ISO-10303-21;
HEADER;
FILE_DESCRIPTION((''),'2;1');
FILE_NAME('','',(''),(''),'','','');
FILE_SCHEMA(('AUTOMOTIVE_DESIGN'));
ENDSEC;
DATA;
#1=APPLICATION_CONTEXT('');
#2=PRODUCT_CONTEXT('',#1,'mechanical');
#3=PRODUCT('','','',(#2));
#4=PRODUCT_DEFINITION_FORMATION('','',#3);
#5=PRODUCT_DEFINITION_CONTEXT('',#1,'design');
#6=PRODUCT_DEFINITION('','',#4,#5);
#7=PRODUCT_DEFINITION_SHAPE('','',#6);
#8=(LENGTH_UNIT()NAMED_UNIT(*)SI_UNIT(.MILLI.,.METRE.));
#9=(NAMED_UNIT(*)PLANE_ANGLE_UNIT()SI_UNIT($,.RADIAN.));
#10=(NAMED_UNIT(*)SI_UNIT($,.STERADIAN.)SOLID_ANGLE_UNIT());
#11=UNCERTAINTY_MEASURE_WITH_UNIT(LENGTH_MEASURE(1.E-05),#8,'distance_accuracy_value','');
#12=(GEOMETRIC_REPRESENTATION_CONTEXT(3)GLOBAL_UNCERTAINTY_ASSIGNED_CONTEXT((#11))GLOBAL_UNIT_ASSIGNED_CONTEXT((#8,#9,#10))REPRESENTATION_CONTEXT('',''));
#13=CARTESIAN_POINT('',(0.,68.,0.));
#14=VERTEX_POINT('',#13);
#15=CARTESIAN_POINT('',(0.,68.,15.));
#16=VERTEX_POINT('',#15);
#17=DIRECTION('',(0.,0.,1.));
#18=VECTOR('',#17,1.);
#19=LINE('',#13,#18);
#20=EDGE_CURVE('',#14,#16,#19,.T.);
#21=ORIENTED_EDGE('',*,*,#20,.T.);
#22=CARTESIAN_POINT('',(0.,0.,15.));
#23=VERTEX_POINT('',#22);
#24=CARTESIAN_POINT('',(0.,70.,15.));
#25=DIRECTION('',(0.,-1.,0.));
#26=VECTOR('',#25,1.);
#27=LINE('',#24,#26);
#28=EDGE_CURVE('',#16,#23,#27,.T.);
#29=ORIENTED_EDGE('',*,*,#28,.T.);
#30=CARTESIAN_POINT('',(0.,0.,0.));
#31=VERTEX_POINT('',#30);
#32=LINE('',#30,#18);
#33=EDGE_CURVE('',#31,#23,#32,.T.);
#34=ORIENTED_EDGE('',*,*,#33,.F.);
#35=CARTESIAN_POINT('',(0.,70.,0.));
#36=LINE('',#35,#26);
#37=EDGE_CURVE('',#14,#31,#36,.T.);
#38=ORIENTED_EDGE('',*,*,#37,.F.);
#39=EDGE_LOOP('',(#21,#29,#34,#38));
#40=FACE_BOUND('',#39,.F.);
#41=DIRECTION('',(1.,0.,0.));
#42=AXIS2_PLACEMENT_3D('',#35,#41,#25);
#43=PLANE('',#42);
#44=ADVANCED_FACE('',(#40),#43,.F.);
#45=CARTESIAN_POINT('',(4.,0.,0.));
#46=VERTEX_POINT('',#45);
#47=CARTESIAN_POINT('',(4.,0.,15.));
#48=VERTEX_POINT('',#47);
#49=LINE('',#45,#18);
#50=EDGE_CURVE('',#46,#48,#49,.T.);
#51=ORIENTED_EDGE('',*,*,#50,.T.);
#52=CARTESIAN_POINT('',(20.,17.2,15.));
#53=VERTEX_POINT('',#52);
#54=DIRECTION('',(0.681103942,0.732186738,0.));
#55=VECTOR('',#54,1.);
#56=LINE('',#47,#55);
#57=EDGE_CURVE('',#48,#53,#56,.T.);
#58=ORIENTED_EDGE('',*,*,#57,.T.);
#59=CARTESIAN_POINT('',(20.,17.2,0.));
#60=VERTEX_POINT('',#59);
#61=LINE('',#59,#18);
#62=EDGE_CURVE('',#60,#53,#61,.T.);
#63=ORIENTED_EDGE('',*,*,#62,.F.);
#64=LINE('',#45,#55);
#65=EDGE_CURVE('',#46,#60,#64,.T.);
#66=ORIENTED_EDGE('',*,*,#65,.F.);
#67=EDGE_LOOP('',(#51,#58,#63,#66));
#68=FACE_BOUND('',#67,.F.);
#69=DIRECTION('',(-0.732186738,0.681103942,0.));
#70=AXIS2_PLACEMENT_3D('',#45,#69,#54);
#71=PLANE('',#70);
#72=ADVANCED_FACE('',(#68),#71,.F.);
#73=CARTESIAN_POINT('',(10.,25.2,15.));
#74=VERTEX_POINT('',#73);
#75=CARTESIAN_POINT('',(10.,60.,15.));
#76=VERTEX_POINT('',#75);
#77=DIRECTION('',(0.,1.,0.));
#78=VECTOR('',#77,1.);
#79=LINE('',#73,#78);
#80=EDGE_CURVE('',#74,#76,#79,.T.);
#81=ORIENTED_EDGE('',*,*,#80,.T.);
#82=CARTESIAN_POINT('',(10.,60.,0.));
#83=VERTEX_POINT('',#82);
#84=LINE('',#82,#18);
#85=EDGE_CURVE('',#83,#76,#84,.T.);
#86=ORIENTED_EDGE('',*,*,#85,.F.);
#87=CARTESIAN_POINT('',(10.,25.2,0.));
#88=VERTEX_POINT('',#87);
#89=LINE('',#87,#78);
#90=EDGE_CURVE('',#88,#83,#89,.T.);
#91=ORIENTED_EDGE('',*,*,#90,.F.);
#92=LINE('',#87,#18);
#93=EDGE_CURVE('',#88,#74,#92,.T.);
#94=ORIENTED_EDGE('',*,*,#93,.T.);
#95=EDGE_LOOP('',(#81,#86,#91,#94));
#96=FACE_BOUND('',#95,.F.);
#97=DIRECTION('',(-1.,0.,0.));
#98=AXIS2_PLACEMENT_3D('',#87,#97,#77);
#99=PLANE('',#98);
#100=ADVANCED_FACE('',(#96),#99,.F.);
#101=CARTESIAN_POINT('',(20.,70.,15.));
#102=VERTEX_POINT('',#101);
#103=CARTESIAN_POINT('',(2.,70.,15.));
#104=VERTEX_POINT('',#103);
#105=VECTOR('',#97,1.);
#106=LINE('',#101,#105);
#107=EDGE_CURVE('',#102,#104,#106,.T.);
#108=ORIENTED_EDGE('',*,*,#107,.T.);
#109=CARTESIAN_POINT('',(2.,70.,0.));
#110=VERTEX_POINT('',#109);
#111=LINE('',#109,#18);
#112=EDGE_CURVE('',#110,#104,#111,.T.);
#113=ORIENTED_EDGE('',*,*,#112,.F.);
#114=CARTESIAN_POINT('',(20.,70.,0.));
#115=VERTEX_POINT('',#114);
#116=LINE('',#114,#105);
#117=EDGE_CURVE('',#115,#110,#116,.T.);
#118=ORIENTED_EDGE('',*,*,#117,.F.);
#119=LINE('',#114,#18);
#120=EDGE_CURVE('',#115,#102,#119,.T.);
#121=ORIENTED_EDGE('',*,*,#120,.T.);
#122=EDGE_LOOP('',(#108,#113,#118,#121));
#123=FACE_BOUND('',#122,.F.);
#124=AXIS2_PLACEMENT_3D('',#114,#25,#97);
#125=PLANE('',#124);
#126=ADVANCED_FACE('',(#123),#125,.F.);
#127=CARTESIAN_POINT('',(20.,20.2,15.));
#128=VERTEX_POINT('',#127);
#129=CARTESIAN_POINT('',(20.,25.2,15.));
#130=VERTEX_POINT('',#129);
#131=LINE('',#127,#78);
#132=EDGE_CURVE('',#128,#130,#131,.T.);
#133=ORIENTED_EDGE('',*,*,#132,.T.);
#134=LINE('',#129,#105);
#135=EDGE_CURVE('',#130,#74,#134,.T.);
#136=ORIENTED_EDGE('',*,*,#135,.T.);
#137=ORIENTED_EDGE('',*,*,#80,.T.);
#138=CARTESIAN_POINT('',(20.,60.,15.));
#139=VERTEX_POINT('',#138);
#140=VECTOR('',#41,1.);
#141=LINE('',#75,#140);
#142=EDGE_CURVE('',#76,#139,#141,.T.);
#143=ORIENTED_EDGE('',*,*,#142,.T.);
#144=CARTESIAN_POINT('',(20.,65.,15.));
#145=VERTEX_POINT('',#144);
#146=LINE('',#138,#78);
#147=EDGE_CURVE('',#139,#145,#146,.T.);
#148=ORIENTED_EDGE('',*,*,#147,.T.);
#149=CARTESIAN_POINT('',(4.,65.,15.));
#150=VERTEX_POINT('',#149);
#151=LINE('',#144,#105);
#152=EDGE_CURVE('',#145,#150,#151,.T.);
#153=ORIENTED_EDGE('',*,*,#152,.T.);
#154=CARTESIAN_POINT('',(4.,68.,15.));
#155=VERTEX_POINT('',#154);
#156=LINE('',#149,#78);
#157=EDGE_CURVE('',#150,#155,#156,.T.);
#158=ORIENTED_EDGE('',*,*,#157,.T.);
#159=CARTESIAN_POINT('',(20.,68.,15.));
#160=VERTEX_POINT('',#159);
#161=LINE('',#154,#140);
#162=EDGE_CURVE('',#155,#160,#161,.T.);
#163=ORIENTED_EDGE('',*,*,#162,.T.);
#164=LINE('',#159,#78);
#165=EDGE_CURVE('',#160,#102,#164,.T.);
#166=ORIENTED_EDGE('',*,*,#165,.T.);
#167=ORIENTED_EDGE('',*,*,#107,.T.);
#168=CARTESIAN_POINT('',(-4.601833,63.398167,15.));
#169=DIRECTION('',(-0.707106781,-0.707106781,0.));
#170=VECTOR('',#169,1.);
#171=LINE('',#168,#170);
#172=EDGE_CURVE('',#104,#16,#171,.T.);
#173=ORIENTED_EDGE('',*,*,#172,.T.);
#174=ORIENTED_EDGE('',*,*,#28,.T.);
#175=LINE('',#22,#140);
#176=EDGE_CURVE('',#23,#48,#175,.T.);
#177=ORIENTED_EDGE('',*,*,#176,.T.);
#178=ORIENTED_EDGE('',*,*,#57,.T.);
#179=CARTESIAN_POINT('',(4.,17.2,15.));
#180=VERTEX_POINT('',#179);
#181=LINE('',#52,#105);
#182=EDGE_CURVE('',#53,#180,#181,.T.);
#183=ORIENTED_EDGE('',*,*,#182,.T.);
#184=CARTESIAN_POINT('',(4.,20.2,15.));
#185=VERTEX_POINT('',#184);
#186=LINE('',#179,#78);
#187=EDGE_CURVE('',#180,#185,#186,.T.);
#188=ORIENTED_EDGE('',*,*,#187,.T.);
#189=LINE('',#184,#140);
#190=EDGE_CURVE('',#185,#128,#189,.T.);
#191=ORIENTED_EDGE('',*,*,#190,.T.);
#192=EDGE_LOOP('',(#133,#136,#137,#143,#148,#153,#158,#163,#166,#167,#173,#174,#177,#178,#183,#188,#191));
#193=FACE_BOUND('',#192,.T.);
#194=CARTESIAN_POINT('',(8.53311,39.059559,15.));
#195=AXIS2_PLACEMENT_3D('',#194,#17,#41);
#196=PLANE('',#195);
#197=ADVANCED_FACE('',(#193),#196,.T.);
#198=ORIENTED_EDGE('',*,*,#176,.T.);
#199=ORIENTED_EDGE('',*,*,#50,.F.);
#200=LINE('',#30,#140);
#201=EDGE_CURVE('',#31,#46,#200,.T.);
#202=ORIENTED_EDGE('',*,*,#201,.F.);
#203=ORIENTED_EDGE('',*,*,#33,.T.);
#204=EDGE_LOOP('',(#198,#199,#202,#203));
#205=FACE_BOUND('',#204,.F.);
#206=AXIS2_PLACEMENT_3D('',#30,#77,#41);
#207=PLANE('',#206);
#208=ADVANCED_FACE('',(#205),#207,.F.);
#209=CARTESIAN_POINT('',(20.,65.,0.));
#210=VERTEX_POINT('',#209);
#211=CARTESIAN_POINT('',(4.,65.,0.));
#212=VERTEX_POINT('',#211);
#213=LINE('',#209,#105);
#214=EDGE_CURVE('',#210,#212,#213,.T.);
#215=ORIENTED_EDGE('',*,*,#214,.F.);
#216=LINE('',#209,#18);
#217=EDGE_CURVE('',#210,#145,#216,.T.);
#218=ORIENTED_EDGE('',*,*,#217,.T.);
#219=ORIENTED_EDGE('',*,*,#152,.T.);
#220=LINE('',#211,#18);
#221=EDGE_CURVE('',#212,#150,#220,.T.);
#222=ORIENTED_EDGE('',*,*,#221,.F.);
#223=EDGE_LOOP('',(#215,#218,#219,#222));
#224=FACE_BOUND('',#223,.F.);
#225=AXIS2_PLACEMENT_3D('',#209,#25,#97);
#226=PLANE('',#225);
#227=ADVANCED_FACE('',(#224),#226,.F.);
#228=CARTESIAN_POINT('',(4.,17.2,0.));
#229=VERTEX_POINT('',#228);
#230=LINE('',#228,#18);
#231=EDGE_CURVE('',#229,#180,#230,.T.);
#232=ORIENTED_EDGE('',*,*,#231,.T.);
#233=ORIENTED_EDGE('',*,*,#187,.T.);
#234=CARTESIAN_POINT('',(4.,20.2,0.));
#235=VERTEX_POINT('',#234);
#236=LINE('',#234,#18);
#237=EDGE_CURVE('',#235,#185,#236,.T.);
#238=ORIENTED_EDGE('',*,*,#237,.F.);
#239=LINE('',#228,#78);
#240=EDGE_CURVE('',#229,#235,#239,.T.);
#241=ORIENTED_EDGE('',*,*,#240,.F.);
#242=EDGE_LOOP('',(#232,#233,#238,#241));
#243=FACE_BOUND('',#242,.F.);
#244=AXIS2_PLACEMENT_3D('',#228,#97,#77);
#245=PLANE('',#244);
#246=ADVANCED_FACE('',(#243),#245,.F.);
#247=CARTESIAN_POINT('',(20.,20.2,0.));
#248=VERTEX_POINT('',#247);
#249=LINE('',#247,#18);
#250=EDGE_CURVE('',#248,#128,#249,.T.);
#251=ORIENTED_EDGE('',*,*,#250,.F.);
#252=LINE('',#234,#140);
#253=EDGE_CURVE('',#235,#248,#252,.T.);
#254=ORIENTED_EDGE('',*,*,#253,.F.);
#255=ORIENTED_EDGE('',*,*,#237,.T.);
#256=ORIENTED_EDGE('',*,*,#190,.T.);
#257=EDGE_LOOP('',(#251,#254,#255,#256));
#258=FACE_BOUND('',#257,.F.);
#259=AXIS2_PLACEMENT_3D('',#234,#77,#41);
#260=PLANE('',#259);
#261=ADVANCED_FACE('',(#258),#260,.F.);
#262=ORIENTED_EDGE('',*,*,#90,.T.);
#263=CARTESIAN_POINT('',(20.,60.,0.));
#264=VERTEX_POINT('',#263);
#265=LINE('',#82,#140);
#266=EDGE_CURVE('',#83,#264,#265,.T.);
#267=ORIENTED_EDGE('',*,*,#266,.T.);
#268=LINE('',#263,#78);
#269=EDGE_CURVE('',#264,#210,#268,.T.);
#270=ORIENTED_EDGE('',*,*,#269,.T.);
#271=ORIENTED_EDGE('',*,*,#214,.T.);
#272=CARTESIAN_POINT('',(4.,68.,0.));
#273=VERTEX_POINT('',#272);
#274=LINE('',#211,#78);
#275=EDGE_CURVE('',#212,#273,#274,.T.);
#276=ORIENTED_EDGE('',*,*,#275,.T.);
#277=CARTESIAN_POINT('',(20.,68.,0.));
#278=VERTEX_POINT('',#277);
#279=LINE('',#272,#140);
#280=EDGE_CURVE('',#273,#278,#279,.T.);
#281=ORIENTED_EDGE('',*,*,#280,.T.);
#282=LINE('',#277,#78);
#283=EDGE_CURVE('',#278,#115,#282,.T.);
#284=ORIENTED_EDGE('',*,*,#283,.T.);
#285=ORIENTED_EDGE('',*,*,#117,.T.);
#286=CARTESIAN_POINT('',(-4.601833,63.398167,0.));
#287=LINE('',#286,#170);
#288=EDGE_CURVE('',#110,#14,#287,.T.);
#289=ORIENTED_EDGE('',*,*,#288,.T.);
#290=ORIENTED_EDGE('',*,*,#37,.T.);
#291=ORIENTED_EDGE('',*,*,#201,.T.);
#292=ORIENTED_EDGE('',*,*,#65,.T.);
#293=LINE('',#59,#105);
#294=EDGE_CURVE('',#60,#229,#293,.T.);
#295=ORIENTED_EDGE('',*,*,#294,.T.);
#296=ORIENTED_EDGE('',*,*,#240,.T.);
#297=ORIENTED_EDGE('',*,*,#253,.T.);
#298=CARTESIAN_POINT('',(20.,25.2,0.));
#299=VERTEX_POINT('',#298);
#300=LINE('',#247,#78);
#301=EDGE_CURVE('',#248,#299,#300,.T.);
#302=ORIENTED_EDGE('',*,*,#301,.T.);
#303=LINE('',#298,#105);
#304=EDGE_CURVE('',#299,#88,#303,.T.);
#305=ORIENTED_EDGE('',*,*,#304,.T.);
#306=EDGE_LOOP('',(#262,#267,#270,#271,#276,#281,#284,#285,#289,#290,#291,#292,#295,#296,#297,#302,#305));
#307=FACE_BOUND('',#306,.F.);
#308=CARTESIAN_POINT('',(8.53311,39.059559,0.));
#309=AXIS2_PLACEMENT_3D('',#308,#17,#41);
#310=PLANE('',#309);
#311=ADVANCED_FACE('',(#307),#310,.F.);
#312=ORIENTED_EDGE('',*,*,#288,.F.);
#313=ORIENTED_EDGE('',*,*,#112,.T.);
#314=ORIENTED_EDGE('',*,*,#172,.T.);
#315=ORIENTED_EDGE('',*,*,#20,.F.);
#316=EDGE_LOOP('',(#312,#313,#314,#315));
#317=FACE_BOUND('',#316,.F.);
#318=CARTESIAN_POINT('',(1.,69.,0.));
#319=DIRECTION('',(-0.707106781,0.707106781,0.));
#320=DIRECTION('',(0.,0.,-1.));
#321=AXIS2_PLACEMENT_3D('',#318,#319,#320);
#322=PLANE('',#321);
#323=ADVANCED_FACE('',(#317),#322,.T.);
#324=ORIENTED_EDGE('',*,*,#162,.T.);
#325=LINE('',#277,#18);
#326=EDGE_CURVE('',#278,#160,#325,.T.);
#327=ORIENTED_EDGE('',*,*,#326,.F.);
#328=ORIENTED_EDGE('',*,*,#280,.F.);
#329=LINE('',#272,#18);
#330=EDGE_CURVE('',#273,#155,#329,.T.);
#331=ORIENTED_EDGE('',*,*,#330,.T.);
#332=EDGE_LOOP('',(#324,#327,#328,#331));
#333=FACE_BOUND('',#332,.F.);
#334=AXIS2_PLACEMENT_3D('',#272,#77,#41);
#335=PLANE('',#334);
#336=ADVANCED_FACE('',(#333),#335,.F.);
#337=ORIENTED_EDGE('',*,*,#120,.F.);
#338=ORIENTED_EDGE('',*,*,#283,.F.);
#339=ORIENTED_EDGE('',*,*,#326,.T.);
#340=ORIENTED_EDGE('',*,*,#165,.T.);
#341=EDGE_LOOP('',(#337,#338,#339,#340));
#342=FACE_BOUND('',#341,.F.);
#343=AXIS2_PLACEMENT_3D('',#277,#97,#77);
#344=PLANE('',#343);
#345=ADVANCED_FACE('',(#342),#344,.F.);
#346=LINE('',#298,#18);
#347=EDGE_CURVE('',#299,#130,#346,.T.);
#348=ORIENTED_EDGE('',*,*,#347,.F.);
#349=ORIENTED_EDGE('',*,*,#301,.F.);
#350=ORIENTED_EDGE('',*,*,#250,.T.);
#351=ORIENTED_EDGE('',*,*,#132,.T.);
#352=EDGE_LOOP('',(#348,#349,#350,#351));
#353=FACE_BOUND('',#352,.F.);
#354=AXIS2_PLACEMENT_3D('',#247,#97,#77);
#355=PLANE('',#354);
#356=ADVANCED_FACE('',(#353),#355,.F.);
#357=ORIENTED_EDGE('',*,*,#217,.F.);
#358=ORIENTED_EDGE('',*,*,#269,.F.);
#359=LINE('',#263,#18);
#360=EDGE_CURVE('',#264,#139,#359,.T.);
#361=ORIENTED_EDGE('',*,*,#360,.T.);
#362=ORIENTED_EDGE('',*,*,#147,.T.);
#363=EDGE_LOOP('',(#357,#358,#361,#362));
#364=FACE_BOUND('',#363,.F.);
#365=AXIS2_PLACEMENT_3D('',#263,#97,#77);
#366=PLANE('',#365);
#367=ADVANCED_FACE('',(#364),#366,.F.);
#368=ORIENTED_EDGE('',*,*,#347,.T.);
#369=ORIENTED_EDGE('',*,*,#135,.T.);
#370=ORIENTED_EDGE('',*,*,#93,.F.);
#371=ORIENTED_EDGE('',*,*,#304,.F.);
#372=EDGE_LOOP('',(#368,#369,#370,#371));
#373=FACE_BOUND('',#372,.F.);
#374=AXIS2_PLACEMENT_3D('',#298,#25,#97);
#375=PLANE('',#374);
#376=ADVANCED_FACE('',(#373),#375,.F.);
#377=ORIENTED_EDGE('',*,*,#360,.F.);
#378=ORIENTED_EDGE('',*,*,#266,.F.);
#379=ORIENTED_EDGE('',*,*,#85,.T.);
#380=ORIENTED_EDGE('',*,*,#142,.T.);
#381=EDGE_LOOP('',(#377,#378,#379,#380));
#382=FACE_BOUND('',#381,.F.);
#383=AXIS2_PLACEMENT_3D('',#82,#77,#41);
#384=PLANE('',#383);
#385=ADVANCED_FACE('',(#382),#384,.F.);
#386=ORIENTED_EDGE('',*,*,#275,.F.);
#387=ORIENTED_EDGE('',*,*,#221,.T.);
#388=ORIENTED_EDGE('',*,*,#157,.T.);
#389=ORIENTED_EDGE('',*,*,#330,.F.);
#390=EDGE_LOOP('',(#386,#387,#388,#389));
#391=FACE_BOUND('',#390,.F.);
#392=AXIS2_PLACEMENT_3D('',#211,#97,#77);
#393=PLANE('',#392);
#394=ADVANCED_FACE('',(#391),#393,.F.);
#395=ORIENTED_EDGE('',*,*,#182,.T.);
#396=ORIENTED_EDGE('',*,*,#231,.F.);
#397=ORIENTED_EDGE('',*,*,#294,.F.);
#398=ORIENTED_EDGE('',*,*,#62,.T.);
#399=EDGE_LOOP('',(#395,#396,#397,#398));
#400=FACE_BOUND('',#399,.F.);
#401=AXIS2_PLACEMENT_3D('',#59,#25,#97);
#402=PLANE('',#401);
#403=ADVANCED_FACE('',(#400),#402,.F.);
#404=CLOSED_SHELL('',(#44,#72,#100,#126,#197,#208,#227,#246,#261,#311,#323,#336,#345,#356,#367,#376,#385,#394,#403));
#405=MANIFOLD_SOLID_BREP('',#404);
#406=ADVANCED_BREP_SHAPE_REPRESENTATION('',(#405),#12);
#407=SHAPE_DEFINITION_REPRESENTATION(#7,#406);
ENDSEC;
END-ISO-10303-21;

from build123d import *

# Parameters (mm, degrees)
F1_DEPTH = 15
F2_SIZE  = 2


with BuildPart() as f1:
    # F0 (on Top) → F1 (new body)
    with BuildSketch(Plane.XY):
        Polygon((20, 70), (0, 70), (0, 0), (4, 0), (20, 17.2), (4, 17.2), (4, 20.2), (20, 20.2), (20, 25.2), (10, 25.2), (10, 60), (20, 60), (20, 65), (4, 65), (4, 68), (20, 68), align=None)
    extrude(amount=F1_DEPTH)

    # F2
    f2_edges = [f1.edges().sort_by_distance(p)[0] for p in [
        (0, 70, 7.5),
    ]]
    chamfer(f2_edges, length=F2_SIZE)


solid = f1.part
